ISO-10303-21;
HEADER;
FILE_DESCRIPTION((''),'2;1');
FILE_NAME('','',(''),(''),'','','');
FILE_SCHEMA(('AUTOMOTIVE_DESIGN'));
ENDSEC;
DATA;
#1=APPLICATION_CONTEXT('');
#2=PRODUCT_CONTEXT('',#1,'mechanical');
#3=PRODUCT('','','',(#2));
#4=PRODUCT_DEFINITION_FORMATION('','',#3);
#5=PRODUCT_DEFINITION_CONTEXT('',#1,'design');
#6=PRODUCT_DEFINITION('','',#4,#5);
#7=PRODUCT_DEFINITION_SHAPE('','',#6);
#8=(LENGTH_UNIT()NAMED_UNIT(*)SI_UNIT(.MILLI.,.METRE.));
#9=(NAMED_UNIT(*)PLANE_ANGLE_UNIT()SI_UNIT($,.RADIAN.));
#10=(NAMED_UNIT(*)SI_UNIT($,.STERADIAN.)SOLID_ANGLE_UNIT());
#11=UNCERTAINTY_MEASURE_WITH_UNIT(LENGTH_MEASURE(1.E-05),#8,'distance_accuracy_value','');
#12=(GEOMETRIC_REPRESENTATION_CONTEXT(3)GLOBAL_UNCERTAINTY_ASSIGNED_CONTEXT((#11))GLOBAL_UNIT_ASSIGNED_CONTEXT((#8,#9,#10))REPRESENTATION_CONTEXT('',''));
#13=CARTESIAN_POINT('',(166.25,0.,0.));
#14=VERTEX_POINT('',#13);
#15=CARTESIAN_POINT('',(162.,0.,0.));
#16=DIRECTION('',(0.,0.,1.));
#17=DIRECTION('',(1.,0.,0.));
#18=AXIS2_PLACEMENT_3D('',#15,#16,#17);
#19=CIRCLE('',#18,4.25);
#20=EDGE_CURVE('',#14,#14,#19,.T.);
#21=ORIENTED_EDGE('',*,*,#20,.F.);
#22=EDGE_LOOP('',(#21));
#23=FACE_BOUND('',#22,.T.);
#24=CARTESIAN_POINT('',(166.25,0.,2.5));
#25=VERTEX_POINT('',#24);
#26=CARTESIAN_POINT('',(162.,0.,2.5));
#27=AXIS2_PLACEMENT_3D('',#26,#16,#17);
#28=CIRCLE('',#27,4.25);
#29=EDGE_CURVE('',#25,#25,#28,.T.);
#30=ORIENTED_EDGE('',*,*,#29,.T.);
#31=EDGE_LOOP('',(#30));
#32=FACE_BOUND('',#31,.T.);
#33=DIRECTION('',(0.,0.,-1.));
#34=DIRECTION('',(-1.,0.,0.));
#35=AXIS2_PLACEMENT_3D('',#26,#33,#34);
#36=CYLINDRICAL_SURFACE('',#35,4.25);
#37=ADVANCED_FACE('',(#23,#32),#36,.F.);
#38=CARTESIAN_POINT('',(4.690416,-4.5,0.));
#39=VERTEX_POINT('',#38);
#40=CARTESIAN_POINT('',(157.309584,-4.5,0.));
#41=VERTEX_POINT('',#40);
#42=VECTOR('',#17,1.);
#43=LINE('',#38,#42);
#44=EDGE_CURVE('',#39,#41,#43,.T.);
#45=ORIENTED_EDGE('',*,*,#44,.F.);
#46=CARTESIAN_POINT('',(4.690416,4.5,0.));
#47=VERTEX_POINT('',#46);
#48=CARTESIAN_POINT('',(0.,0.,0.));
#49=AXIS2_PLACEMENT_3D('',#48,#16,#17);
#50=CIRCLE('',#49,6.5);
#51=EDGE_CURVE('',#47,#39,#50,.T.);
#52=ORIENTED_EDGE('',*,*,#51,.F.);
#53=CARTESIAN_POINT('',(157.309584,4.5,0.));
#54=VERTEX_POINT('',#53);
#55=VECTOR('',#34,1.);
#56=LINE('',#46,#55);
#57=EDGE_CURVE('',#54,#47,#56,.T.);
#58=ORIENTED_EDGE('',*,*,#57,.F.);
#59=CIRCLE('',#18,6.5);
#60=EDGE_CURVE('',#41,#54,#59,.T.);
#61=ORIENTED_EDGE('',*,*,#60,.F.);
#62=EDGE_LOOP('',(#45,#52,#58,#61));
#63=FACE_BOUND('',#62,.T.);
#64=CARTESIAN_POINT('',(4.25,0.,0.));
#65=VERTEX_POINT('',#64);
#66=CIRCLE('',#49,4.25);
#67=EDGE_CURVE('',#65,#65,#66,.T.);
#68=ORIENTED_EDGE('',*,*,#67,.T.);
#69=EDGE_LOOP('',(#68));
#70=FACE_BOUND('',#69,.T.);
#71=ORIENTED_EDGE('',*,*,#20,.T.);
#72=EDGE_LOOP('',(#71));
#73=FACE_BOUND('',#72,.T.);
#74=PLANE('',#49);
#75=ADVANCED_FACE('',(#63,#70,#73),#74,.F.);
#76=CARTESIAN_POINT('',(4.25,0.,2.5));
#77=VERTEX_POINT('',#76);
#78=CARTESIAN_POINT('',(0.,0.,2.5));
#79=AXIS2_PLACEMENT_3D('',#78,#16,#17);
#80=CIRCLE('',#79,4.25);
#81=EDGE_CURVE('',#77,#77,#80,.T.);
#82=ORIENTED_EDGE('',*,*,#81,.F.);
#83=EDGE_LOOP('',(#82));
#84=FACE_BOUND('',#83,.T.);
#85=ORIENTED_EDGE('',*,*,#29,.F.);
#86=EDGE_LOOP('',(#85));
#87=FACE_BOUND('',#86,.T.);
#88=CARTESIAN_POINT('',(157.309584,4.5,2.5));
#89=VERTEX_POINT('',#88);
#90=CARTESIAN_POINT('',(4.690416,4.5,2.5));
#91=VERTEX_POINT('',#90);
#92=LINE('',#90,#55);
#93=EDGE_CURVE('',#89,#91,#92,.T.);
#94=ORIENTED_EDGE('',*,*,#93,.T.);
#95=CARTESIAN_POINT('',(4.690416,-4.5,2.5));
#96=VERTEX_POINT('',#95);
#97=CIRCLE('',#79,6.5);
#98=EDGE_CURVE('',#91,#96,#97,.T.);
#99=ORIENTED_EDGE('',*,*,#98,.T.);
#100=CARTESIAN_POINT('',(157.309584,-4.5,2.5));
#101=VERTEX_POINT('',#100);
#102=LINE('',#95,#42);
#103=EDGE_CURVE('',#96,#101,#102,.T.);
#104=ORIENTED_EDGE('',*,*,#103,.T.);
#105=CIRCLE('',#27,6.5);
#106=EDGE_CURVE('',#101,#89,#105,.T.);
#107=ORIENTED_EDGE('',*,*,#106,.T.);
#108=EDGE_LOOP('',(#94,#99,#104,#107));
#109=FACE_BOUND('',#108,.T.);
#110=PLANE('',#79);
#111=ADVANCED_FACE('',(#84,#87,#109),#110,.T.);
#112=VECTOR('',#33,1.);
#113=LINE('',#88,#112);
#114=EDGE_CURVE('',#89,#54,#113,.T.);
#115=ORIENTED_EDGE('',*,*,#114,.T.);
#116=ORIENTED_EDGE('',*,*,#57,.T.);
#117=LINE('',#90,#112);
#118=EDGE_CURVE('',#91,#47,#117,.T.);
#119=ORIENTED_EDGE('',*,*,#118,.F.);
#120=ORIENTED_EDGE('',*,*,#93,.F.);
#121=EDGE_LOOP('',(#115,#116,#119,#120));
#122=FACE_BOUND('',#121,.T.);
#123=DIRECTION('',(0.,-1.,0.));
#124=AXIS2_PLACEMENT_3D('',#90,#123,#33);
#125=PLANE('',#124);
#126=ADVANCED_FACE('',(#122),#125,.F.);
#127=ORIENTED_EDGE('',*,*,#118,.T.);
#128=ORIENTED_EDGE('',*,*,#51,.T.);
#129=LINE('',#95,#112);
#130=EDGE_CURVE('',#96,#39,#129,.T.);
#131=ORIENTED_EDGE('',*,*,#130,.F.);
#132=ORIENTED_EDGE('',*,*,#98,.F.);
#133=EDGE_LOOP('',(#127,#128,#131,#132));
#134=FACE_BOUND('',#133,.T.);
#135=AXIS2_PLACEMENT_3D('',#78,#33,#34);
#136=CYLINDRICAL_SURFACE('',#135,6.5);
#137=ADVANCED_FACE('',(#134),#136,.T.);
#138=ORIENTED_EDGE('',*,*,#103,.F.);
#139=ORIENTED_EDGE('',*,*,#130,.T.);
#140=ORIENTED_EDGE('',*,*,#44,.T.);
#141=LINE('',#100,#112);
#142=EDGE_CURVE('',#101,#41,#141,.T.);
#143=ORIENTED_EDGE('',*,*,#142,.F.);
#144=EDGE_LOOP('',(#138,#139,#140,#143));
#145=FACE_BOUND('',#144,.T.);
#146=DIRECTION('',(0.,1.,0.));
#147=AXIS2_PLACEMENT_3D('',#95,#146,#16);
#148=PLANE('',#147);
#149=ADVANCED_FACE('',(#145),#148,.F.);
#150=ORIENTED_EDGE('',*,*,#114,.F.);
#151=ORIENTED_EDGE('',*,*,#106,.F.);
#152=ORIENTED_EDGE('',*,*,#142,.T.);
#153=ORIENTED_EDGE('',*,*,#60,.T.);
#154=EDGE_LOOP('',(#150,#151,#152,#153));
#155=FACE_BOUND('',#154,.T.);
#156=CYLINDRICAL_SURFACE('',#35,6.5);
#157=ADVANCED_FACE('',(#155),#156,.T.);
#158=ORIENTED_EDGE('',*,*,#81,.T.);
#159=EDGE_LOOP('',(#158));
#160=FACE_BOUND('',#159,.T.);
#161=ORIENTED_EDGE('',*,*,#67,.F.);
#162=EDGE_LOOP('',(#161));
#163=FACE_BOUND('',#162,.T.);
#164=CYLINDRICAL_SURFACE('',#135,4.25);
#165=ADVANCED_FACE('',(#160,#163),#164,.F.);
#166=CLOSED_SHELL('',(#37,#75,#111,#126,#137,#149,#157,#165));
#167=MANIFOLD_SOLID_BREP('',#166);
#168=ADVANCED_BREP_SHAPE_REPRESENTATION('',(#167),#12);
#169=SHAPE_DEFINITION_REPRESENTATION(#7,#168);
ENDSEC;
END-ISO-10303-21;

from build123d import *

# Parameters (mm, degrees)
SKETCH_1_R      = 4.25
EXTRUDE_1_DEPTH = 2.5


with BuildPart() as part:
    # 草图1 → 凸台-拉伸1 (new body)
    with BuildSketch(Plane.XY):
        with BuildLine():
            Line((4.69041576, 4.5), (157.30958424, 4.5))
            ThreePointArc((157.30958424, 4.5), (168.5, 0), (157.30958424, -4.5))
            Line((157.30958424, -4.5), (4.69041576, -4.5))
            ThreePointArc((4.69041576, -4.5), (-6.5, 0), (4.69041576, 4.5))
        make_face()
        Circle(SKETCH_1_R, mode=Mode.SUBTRACT)
        with Locations((162, 0)):
            Circle(SKETCH_1_R, mode=Mode.SUBTRACT)
    extrude(amount=EXTRUDE_1_DEPTH)


solid = part.part
